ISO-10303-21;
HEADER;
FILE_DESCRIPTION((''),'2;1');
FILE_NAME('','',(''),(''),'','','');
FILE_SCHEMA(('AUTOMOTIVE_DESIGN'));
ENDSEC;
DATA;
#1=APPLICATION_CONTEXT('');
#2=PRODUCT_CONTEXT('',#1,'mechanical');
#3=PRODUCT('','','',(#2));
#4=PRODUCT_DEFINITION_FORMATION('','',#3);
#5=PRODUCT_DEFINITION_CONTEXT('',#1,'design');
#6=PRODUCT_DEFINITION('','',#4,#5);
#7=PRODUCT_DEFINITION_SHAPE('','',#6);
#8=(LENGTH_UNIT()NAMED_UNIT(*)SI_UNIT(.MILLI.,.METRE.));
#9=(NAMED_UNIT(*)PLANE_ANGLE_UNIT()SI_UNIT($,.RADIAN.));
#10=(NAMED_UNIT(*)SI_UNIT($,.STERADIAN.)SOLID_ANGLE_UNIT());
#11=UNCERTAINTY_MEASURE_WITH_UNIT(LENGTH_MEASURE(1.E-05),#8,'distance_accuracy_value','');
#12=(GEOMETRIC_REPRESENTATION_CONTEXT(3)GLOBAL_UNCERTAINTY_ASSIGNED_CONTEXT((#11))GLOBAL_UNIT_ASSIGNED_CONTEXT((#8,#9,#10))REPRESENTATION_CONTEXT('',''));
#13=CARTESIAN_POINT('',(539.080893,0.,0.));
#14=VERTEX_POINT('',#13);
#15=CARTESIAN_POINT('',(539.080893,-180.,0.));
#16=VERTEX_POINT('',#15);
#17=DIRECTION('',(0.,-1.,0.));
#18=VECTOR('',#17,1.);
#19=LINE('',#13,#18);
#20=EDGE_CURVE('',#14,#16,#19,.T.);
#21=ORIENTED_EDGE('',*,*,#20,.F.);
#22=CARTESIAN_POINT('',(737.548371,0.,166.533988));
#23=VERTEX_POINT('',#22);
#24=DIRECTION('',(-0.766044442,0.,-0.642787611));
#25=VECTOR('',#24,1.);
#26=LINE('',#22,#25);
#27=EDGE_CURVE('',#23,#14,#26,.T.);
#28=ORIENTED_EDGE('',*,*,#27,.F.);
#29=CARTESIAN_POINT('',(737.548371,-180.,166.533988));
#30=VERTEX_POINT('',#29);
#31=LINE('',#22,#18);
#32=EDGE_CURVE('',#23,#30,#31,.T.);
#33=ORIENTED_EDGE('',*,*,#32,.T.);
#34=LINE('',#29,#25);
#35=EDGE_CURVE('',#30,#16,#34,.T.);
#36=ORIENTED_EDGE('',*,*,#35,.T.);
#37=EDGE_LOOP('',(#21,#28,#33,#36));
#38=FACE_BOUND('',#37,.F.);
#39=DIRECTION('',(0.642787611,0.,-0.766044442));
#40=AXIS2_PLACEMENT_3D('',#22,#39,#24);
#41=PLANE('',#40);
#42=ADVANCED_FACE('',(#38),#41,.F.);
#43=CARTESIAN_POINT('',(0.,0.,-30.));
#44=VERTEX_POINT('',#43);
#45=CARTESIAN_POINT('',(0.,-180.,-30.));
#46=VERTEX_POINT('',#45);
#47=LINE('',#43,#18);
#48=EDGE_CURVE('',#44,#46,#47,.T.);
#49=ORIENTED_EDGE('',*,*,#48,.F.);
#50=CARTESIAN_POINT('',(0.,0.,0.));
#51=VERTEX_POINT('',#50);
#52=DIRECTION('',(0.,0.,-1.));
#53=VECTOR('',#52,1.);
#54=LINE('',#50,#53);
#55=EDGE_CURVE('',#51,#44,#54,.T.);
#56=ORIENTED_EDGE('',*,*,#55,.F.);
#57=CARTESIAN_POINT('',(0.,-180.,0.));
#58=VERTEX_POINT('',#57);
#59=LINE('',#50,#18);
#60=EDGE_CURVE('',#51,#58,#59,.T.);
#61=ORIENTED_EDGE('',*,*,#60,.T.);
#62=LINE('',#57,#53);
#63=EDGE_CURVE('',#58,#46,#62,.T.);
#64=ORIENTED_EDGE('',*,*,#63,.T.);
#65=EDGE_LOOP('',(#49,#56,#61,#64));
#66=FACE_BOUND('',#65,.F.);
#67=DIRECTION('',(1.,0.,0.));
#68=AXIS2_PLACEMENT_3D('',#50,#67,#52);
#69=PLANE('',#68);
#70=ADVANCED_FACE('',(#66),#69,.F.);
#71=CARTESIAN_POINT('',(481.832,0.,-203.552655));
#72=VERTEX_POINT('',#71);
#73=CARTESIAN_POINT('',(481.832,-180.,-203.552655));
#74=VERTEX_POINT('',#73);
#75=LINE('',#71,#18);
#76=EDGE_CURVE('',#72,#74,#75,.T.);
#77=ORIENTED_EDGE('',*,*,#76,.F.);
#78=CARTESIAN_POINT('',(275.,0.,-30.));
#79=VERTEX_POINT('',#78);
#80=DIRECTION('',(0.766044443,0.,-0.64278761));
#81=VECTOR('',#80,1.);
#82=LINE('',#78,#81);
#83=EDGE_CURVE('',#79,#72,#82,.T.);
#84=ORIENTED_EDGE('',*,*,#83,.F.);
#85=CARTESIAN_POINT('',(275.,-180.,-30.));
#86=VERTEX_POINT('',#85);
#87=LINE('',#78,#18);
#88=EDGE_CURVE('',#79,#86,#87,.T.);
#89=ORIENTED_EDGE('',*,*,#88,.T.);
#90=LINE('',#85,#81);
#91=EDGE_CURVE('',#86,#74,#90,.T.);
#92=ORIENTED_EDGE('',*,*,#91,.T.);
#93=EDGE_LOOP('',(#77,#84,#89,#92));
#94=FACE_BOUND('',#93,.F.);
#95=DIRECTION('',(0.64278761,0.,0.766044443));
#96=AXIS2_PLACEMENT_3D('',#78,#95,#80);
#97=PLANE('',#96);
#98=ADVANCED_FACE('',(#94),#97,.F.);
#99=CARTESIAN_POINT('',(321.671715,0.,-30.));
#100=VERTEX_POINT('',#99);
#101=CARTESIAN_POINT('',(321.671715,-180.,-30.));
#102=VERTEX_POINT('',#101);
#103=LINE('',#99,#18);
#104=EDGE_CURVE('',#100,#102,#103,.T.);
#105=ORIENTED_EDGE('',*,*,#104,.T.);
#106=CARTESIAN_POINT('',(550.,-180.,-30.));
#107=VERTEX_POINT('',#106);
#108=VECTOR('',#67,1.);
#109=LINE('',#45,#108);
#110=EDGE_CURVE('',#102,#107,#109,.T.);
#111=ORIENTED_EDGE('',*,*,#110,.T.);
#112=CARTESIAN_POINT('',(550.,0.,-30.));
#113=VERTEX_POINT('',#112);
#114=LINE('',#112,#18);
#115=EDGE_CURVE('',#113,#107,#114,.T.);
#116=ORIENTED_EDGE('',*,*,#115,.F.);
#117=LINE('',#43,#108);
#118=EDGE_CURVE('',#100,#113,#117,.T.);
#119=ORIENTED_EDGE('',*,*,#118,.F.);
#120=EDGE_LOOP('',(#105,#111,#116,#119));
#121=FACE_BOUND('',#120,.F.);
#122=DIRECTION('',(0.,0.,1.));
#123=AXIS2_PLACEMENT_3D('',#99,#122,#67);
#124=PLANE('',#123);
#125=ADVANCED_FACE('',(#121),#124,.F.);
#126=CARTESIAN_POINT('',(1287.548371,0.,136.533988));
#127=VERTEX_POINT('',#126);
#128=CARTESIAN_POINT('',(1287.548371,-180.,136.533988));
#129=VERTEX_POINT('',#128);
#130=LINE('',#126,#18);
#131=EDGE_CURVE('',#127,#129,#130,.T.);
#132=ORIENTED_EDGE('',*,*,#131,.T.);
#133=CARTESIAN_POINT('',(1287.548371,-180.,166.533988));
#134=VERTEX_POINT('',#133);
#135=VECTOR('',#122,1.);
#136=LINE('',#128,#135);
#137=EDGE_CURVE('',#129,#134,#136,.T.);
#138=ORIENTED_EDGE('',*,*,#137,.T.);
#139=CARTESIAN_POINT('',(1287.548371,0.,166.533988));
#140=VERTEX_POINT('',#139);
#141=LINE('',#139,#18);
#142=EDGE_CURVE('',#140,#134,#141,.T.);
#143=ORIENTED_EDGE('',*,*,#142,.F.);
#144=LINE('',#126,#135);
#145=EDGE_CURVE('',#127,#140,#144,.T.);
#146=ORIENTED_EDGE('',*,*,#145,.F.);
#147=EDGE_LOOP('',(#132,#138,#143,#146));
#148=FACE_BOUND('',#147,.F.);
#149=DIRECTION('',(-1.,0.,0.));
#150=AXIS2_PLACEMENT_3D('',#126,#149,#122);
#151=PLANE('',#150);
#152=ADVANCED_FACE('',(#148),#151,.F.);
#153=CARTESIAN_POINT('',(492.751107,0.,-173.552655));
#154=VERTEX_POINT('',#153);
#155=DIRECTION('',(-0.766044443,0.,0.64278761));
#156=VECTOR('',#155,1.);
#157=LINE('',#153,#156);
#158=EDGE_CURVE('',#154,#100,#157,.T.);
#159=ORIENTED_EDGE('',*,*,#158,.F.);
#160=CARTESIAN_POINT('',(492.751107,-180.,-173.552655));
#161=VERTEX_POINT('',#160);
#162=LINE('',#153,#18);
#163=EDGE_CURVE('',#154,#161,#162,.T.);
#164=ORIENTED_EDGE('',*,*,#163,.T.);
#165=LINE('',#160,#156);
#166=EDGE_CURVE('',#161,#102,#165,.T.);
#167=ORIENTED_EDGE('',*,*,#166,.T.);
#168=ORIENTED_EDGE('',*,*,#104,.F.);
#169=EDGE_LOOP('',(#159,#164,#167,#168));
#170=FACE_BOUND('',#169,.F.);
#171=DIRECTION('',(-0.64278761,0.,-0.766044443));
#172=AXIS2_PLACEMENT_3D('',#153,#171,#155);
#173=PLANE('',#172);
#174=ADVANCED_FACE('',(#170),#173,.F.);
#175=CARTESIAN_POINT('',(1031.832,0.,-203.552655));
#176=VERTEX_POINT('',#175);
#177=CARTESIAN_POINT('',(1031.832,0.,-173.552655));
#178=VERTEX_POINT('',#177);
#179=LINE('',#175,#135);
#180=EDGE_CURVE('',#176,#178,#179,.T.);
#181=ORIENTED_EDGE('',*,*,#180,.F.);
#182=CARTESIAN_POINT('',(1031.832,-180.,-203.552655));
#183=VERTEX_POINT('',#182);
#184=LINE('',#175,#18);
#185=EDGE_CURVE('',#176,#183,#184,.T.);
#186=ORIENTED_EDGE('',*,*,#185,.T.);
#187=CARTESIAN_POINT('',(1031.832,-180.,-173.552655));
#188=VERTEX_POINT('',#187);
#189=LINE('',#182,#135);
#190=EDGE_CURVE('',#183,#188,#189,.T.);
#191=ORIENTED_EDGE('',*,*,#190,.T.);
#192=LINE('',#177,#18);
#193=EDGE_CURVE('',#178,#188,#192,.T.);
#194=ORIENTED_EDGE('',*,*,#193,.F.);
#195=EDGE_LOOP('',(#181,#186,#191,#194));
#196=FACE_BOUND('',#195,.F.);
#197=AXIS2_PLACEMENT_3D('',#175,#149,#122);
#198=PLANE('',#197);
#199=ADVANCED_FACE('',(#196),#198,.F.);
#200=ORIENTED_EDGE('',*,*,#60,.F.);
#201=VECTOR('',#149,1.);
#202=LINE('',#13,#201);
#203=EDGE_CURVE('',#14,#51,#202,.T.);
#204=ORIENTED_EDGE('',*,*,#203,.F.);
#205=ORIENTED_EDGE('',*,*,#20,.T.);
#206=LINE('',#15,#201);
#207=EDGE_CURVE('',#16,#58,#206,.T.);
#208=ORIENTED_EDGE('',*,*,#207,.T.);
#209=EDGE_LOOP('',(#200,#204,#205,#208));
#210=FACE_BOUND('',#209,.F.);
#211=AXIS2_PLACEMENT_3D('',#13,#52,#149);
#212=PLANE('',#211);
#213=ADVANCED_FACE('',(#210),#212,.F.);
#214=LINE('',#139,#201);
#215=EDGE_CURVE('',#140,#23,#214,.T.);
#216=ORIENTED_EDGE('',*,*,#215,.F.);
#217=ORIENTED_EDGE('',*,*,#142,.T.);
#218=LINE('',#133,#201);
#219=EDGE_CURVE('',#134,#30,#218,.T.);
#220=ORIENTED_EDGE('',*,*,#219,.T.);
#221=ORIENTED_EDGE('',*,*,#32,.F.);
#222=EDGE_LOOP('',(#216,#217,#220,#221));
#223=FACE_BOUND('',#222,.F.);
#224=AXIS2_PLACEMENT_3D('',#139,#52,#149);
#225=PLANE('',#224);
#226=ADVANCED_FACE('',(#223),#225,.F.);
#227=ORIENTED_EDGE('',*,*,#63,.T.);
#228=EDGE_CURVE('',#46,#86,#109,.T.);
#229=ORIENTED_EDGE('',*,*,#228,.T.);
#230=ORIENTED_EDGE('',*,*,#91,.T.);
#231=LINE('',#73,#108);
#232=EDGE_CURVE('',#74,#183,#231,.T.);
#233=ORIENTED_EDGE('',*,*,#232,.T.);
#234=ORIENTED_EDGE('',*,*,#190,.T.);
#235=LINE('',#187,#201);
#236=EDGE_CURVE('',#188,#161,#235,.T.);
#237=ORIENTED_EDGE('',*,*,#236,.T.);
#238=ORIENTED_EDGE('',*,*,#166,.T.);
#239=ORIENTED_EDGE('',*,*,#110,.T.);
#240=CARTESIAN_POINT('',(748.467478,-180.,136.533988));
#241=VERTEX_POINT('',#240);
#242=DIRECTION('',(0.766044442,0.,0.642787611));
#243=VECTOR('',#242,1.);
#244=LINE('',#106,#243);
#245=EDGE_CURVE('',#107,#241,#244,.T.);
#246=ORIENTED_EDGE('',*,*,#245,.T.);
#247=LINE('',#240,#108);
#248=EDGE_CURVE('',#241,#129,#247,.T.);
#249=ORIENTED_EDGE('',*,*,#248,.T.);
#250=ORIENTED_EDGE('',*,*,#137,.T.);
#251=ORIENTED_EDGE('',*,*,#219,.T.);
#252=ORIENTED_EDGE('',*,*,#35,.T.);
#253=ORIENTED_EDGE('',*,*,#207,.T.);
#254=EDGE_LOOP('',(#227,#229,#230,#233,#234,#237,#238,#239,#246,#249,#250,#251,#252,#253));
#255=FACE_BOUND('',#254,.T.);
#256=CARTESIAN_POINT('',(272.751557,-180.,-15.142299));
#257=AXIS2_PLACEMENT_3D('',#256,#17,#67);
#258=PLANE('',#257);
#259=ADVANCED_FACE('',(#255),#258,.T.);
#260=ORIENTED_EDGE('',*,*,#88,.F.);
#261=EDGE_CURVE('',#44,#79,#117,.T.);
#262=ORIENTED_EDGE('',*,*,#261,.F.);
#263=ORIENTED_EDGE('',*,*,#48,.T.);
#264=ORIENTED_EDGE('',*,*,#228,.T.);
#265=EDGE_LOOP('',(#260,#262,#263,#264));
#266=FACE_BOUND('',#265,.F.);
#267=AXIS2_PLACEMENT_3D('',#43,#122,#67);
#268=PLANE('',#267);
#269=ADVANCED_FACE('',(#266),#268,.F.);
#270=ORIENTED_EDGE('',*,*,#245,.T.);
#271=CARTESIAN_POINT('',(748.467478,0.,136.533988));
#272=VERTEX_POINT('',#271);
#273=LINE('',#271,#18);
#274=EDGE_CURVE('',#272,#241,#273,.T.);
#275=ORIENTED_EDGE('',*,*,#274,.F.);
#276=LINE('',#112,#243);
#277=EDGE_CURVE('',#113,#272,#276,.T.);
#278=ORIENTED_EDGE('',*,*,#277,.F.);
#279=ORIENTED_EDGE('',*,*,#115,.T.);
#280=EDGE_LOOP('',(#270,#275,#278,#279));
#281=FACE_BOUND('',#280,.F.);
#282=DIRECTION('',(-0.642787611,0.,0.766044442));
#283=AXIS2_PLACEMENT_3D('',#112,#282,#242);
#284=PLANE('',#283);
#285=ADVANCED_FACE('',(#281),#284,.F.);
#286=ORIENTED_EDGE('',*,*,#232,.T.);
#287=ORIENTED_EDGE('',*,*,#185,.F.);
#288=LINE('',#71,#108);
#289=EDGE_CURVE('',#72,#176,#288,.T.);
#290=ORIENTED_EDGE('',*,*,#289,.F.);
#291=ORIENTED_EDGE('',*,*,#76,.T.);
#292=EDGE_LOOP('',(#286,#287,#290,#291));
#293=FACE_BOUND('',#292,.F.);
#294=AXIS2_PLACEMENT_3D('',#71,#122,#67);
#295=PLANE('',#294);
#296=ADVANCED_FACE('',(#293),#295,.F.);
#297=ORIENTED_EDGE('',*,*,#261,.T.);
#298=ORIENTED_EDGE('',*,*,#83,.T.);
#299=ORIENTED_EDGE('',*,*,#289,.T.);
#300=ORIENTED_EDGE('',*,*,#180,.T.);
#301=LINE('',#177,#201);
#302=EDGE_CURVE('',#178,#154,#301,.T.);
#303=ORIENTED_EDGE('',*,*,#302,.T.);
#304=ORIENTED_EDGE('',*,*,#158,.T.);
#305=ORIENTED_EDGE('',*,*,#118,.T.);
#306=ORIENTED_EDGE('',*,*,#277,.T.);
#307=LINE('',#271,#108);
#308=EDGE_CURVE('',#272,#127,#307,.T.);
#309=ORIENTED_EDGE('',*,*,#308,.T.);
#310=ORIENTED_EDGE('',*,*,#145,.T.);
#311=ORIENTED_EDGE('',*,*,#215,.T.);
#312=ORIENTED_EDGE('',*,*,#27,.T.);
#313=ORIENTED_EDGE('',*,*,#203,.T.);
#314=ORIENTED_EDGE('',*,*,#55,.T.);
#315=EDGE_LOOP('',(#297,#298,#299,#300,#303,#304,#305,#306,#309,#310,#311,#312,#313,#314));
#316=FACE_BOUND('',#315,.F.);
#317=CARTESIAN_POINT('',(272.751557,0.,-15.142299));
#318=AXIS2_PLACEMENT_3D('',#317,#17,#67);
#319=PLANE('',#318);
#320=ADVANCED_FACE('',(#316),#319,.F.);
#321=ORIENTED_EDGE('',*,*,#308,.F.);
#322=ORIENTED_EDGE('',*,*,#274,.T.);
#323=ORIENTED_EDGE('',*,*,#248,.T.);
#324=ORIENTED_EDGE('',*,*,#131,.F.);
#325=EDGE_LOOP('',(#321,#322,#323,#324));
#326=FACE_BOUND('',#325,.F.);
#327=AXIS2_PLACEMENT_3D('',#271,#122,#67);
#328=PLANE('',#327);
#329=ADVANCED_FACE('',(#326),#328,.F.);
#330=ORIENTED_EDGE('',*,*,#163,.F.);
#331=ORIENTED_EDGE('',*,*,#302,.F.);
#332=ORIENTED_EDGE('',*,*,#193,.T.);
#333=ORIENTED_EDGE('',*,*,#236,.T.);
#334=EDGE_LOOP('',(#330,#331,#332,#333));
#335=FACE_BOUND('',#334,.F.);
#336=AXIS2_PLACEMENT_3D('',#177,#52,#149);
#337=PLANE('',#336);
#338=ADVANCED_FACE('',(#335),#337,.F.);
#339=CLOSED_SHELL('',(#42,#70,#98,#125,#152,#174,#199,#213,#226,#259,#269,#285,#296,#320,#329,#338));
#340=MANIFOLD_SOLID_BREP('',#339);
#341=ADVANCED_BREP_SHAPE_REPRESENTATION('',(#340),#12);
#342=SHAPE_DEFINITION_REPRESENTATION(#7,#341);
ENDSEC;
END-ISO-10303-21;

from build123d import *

# Parameters (mm, degrees)
F1_DEPTH = 180


with BuildPart() as f1:
    # F0 (on Front) → F1 (new body)
    with BuildSketch(Plane.XZ):
        Polygon((0, 0), (0, -30), (275, -30), (321.671715, -30), (550, -30), (539.080893, 0), align=None)
        Polygon((321.671715, -30), (275, -30), (481.832, -203.552655), (492.751107, -173.552655), align=None)
        Polygon((737.548371, 166.533988), (539.080893, 0), (550, -30), (748.467478, 136.533988), align=None)
        Polygon((492.751107, -173.552655), (481.832, -203.552655), (1031.832, -203.552655), (1031.832, -173.552655), align=None)
        Polygon((1287.548371, 166.533988), (737.548371, 166.533988), (748.467478, 136.533988), (1287.548371, 136.533988), align=None)
    extrude(amount=F1_DEPTH)


solid = f1.part
